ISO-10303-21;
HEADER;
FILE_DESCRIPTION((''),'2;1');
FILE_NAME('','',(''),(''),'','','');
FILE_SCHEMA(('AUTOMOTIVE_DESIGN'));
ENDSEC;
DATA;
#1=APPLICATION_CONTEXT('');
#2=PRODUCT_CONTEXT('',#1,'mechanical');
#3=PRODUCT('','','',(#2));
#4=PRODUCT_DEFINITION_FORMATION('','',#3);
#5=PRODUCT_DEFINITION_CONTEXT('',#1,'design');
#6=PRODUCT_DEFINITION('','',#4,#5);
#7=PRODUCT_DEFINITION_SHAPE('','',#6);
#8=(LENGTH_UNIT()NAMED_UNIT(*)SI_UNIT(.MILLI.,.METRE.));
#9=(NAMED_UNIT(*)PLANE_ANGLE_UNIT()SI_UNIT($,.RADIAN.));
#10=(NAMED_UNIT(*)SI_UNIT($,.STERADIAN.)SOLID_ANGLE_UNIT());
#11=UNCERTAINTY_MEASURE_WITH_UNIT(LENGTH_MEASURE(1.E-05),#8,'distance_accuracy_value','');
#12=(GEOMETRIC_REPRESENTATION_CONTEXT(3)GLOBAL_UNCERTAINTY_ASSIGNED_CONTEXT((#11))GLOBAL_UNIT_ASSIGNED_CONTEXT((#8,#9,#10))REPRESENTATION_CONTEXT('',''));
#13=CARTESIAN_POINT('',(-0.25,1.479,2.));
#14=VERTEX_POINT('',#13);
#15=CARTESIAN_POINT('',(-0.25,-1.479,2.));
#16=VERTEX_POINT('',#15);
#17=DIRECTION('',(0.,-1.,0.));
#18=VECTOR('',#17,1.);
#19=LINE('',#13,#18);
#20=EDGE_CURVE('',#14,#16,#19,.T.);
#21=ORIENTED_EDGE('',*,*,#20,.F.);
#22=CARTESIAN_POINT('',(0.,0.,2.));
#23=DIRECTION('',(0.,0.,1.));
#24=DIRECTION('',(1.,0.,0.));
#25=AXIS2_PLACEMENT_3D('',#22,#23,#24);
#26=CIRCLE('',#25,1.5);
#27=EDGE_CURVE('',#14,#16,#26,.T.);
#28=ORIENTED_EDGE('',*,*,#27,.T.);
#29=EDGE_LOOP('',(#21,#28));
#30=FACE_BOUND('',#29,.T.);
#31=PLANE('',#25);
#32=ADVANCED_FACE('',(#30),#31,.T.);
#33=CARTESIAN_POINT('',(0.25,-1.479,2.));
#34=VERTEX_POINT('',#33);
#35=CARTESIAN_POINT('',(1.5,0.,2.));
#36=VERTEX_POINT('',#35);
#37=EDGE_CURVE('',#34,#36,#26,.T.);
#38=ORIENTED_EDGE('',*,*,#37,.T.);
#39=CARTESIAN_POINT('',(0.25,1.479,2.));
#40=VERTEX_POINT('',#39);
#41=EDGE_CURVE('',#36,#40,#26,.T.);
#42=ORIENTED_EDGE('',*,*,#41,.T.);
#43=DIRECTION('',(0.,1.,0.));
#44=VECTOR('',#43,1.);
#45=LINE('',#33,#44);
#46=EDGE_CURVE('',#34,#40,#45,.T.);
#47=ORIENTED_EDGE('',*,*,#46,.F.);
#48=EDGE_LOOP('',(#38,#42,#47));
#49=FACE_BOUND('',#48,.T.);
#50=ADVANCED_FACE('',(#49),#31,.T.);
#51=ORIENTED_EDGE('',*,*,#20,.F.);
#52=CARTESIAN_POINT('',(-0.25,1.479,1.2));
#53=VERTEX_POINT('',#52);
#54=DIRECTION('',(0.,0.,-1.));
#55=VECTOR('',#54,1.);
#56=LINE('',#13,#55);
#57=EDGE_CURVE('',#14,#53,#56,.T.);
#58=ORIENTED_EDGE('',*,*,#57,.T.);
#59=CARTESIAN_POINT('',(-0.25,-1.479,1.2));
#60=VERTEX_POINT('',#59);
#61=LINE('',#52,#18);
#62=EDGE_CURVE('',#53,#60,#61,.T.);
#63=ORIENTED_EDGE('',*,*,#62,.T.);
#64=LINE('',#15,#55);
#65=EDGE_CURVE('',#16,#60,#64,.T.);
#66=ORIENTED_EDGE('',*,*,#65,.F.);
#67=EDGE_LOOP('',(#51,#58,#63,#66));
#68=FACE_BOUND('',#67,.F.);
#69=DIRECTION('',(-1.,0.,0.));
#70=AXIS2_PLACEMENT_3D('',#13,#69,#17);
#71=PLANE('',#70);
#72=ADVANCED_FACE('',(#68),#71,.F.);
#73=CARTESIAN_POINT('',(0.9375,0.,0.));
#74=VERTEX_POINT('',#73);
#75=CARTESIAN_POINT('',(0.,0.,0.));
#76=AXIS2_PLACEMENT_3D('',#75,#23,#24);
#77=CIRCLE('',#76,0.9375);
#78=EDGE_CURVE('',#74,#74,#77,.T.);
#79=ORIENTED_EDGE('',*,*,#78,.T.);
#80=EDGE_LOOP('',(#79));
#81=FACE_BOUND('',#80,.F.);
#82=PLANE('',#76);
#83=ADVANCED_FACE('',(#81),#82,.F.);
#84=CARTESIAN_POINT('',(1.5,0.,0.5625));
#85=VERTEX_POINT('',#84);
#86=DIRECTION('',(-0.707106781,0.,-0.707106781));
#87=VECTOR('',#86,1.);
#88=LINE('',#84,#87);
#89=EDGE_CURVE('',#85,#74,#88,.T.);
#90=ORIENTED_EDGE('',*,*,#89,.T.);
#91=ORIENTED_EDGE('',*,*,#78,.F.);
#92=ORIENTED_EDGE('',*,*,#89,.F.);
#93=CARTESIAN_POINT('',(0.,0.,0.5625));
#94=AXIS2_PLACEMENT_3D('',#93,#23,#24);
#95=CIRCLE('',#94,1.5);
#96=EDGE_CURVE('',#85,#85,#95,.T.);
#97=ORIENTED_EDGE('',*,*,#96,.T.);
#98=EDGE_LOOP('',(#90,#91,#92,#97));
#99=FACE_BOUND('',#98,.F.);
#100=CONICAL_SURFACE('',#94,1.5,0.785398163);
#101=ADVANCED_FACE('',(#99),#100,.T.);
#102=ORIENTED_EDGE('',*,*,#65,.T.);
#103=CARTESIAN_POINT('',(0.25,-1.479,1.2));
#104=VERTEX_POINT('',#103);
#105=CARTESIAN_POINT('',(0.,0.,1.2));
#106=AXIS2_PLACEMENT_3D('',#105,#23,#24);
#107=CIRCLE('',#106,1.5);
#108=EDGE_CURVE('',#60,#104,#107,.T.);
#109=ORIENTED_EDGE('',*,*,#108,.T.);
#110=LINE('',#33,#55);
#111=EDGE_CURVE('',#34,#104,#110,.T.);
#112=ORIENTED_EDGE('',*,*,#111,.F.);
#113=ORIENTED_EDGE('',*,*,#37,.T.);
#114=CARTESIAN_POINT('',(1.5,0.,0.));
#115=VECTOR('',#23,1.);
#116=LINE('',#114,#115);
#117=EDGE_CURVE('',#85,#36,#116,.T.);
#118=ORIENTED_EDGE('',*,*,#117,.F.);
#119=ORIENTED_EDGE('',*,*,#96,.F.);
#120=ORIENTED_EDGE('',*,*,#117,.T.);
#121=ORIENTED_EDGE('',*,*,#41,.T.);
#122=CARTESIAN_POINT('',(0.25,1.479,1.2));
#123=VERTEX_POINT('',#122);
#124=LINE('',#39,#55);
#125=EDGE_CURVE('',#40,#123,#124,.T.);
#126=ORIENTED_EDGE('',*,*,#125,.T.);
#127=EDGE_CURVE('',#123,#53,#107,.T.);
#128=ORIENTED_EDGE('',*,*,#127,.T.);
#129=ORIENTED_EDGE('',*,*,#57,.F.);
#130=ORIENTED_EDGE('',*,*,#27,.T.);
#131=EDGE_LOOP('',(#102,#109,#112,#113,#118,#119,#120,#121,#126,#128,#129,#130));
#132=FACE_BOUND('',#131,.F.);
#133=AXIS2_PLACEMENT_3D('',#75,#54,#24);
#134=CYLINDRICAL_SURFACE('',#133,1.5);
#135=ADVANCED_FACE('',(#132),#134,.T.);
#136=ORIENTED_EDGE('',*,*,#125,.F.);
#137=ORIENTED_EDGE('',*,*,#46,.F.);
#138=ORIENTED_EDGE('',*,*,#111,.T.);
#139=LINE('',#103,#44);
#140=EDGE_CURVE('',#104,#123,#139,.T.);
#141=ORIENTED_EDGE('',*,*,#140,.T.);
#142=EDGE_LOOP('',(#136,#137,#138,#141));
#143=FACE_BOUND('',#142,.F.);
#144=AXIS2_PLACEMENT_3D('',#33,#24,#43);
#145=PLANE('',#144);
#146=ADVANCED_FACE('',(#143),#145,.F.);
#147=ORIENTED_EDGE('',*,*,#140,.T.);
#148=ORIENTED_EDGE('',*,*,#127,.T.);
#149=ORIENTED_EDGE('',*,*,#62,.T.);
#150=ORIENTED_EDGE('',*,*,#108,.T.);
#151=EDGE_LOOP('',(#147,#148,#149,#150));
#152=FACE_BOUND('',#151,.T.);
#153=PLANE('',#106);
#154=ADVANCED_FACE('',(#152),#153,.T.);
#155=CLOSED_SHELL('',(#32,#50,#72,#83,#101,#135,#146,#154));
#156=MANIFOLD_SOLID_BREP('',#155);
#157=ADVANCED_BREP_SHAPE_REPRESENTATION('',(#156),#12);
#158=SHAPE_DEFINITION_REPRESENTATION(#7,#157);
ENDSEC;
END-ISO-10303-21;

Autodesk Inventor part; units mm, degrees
ref_plane "YZ Plane" through (0, 0, 0) normal (1, 0, 0) x (0, 1, 0)
ref_plane "XZ Plane" through (0, 0, 0) normal (0, 1, 0) x (-1, 0, 0)
ref_plane "XY Plane" through (0, 0, 0) normal (0, 0, 1) x (1, 0, 0)
sketch "スケッチ1" plane through (0, 0, 0) normal (0, 0, 1) x (1, 0, 0)
  circle A0 centre (0, 0) radius 1.5
  dimension "d0" = 3
extrude "押し出し1" add sketch "スケッチ1" along normal blind 2
chamfer "面取り1" distance 0.5625 angle 45 1 edges at (-1.5, 0, 0)
thread "ねじ1" size "M3x0.5" class "6g" standard "ANSI Metric M Profile" full length
sketch "スケッチ2" plane through (0, 0, 2) normal (0, 0, 1) x (1, 0, 0)
  circle A0 centre (0, 0) radius 1.5 projected
  line L0 (-0.25, 1.479) -> (-0.25, -1.479)
  line L1 (0.25, -1.479) -> (0.25, 1.479)
  dimension "d8" = 0.25
  dimension "d9" = 0.25
extrude "押し出し2" cut sketch "スケッチ2" against normal blind 0.8 contours L1 A0 L0
equation "\"d9\" = d8"
properties part number "ネジ止めm3,02" material "鋼、高強度、低合金"
